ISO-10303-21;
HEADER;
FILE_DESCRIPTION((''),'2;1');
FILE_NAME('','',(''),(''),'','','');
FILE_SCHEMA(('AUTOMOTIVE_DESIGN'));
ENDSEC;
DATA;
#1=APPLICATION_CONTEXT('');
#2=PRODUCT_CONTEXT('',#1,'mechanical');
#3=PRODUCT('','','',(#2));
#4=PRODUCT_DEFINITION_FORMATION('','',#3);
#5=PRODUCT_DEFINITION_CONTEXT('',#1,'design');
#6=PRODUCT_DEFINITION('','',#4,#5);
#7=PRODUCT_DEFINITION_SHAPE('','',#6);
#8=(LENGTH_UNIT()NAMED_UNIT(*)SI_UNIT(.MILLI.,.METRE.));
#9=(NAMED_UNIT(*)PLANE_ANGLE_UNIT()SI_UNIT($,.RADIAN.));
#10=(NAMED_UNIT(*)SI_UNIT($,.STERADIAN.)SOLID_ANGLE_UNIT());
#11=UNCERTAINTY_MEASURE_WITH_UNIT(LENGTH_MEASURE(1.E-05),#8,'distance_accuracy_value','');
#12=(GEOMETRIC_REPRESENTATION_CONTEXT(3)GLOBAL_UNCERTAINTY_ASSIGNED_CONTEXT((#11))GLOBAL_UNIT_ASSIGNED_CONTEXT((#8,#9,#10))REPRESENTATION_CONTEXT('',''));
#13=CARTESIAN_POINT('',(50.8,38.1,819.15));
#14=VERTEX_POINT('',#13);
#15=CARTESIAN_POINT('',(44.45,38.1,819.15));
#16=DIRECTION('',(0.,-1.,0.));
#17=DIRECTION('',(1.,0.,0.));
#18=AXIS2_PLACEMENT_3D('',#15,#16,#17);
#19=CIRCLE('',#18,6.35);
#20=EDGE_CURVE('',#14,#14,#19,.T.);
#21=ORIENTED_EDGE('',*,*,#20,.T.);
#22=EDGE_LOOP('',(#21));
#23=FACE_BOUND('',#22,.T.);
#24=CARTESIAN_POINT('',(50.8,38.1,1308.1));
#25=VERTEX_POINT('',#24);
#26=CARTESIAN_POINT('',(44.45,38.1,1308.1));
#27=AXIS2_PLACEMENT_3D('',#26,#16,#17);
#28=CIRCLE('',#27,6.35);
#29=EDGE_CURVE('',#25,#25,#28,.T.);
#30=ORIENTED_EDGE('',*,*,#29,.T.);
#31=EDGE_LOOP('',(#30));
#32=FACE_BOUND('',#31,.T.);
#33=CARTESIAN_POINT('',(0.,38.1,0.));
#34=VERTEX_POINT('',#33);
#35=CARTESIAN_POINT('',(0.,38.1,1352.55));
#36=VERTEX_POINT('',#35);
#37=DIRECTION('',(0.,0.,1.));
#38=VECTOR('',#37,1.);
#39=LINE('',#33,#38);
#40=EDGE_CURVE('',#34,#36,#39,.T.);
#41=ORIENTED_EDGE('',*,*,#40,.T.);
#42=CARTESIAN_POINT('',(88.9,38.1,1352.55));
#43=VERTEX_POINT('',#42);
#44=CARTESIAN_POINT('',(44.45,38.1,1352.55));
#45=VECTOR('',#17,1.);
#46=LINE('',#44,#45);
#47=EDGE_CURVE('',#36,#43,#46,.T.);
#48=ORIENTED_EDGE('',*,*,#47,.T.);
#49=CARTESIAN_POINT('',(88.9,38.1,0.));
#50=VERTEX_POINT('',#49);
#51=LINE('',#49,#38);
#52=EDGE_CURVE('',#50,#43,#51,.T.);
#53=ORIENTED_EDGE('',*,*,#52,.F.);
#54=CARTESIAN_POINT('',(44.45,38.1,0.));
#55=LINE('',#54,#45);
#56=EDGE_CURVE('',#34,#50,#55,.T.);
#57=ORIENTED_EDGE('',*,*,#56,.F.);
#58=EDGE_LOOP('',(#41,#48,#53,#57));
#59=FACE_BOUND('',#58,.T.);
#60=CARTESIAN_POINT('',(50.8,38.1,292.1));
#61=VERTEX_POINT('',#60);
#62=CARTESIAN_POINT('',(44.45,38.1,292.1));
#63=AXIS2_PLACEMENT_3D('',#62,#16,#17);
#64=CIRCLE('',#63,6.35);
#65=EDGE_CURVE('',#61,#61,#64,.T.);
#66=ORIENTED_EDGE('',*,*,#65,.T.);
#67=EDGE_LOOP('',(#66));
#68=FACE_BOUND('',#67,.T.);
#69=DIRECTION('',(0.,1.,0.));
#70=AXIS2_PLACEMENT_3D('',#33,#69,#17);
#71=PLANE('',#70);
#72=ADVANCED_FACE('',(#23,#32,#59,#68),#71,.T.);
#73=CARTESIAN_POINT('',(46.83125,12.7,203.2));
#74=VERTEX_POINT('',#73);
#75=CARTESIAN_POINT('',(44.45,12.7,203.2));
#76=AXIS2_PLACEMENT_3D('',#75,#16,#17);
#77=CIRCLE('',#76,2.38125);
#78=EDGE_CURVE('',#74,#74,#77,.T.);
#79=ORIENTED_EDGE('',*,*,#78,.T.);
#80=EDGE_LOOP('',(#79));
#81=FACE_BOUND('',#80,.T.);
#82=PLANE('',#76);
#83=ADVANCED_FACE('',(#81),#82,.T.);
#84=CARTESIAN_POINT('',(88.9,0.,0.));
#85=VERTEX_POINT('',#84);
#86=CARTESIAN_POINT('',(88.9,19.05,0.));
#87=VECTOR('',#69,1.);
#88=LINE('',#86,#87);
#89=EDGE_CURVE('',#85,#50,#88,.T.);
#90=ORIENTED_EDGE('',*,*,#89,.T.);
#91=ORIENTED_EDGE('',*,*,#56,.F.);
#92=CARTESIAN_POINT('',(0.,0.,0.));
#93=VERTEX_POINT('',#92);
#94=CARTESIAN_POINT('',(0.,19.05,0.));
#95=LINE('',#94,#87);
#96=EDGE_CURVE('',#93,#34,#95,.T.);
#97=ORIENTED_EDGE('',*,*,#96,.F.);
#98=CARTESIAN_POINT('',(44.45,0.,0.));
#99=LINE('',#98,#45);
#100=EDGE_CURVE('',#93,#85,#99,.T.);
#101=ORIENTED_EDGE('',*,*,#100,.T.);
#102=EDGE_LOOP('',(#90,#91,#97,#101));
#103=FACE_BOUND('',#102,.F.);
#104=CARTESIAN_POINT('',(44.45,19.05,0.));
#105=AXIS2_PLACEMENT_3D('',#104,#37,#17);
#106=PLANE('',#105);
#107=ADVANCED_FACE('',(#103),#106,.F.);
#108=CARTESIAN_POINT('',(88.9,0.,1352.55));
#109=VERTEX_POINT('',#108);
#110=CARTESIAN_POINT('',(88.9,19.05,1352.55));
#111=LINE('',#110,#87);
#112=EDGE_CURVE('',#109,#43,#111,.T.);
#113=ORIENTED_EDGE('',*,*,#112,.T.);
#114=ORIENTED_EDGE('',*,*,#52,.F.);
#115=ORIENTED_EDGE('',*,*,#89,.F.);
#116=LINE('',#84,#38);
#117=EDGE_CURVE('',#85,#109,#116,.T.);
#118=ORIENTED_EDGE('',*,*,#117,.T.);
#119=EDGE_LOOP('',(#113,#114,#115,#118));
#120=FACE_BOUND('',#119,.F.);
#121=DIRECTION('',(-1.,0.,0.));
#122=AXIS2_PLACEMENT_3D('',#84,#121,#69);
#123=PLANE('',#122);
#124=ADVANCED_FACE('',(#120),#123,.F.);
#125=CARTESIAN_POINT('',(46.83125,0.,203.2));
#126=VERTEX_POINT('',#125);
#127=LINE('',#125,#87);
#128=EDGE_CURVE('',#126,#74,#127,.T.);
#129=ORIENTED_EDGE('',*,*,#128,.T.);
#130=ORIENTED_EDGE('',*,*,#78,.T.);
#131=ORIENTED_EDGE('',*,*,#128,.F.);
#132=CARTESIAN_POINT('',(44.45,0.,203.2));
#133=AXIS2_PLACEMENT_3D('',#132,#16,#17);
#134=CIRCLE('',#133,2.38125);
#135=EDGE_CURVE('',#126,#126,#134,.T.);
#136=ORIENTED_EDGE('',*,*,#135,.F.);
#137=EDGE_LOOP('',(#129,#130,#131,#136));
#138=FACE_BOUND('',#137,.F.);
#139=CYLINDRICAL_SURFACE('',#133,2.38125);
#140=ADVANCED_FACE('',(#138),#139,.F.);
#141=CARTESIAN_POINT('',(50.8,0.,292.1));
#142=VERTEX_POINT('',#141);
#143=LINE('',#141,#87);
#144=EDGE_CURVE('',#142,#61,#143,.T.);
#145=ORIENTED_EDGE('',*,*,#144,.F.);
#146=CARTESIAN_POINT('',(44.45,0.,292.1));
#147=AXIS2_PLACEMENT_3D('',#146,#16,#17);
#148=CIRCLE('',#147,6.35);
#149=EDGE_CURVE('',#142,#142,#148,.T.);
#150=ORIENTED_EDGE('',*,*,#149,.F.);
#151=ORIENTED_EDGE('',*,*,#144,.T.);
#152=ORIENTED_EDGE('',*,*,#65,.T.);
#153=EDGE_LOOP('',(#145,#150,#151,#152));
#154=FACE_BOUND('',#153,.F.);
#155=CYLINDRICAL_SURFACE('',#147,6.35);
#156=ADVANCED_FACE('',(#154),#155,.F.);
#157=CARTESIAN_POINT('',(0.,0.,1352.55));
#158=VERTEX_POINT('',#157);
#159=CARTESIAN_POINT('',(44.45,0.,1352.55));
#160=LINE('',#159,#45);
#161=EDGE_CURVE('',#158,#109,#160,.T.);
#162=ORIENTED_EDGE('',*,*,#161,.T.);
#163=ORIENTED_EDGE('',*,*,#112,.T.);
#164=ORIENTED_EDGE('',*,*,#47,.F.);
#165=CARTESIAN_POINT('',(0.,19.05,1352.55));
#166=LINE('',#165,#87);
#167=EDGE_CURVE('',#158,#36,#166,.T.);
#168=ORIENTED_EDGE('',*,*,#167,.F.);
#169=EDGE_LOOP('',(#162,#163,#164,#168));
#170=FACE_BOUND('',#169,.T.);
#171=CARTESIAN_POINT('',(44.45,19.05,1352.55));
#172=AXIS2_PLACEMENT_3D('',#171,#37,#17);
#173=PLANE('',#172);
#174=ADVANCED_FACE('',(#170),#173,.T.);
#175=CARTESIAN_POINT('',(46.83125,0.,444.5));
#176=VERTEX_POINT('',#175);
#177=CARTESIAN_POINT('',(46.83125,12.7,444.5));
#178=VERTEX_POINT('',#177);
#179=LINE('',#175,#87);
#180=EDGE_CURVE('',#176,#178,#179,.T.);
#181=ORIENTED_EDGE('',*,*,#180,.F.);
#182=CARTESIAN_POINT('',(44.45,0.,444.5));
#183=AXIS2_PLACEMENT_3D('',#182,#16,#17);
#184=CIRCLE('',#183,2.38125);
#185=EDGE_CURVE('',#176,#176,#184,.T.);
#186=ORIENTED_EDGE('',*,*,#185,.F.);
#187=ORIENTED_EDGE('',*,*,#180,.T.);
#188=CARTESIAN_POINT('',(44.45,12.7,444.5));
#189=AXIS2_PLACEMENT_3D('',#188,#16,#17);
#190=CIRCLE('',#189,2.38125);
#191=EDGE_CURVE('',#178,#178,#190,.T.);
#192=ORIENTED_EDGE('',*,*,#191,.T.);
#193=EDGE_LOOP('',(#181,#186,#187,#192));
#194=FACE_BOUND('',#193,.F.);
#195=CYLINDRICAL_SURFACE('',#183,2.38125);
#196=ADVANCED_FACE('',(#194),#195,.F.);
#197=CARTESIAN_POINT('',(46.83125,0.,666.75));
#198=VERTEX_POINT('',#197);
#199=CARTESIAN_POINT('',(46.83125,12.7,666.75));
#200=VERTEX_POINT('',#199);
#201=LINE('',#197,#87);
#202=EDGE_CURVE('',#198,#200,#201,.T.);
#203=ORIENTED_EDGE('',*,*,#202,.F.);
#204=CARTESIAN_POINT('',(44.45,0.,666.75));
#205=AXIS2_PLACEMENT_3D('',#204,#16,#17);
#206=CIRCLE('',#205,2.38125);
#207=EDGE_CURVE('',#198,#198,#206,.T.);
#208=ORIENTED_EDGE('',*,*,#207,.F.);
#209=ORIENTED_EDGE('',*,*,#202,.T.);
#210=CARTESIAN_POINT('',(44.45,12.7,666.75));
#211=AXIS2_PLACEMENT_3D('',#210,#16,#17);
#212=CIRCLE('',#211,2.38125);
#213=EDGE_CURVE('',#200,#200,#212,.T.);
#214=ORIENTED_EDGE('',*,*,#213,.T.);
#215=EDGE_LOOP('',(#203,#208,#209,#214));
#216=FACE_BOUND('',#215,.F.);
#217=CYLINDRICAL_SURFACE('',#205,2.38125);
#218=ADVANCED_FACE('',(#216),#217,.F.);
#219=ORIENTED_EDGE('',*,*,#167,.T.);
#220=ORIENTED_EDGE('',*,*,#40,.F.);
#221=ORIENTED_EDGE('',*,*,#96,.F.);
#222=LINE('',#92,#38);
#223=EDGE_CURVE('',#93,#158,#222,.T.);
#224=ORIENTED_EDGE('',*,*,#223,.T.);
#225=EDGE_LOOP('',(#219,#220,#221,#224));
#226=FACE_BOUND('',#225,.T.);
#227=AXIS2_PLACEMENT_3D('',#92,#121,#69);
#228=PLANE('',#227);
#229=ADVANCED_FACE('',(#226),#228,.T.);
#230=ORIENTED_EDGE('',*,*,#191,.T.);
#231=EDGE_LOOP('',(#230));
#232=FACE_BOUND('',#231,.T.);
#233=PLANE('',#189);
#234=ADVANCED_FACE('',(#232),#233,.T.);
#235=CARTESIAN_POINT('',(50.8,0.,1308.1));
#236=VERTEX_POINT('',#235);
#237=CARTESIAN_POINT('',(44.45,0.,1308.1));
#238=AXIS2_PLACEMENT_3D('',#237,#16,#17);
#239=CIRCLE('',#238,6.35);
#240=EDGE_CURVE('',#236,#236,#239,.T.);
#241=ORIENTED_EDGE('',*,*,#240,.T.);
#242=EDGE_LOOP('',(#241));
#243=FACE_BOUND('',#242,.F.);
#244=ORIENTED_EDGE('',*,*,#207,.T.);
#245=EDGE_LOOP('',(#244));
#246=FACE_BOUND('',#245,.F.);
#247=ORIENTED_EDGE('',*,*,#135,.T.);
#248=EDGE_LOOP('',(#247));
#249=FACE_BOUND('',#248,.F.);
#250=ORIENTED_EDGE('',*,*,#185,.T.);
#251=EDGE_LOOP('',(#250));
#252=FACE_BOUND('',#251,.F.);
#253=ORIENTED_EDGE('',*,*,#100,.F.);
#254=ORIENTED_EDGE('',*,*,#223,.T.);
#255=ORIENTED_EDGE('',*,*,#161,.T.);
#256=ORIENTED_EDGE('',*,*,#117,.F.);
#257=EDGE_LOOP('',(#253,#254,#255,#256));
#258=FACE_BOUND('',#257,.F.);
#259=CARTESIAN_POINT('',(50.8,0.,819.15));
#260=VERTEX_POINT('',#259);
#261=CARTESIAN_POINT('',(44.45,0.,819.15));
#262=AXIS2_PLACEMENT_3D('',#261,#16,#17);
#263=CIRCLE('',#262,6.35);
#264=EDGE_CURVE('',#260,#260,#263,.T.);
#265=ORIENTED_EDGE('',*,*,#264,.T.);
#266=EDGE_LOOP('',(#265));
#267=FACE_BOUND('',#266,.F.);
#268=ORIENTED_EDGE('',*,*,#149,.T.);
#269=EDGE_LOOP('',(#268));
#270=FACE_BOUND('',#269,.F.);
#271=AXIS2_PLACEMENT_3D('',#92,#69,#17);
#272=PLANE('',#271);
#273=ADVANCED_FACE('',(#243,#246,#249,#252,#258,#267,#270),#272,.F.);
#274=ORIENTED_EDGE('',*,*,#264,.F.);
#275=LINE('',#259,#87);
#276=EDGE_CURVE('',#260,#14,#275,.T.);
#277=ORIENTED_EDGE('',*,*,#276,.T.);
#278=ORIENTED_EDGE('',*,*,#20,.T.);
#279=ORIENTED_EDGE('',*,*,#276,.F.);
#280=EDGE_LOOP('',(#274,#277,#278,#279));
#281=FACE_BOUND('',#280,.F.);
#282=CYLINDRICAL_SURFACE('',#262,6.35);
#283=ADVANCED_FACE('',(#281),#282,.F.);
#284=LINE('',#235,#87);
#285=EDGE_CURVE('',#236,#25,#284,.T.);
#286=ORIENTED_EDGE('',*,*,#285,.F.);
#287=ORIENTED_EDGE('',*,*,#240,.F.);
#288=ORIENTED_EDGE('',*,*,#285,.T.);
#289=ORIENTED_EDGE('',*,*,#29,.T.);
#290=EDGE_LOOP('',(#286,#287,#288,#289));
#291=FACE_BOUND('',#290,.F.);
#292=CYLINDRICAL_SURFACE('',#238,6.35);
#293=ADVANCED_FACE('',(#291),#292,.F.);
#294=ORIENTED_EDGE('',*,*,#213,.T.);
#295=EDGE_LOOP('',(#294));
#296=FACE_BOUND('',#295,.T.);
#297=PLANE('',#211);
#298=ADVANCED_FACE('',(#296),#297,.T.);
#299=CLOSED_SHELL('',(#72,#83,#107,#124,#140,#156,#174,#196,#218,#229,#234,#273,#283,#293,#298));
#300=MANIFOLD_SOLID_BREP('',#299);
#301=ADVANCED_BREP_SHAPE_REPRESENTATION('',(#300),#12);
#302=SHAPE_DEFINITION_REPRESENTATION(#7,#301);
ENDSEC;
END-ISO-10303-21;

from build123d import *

# Parameters (mm, degrees)
SKETCH002_AS_DRAWN_R                 = 2.38125
EXTRUDE002_DEPTH                     = 12.7
EXTRUDE002_ONTO_SKETCH002_ROLL_ANGLE = 90
SKETCH001_AS_DRAWN_R                 = 6.35
EXTRUDE001_DEPTH                     = 50.8
EXTRUDE001_ONTO_SKETCH001_ROLL_ANGLE = 90
SKETCH_W                             = 88.9
SKETCH_H                             = 38.1
EXTRUDE_DEPTH                        = 1352.55


with BuildPart() as extrude002:
    # Sketch002 as drawn → Extrude002 (new)
    with BuildSketch(Plane.XY):
        with Locations((44.45, 203.2)):
            Circle(SKETCH002_AS_DRAWN_R)
        with Locations((44.45, 666.75)):
            Circle(SKETCH002_AS_DRAWN_R)
        with Locations((44.45, 444.5)):
            Circle(SKETCH002_AS_DRAWN_R)
    extrude(amount=-EXTRUDE002_DEPTH)


with BuildPart() as extrude002_1:
    # Extrude002 onto Sketch002 roll: moved
    add(extrude002.part.rotate(Axis((0, 0, 0), (1, 0, 0)), EXTRUDE002_ONTO_SKETCH002_ROLL_ANGLE))


with BuildPart() as extrude002_2:
    # Extrude002 onto Sketch002 placement: moved
    add(extrude002_1.part)


with BuildPart() as extrude001:
    # Sketch001 as drawn → Extrude001 (new)
    with BuildSketch(Plane.XY):
        with Locations((44.45, 292.1)):
            Circle(SKETCH001_AS_DRAWN_R)
        with Locations((44.45, 819.15)):
            Circle(SKETCH001_AS_DRAWN_R)
        with Locations((44.45, 1308.1)):
            Circle(SKETCH001_AS_DRAWN_R)
    extrude(amount=-EXTRUDE001_DEPTH)


with BuildPart() as extrude001_1:
    # Extrude001 onto Sketch001 roll: moved
    add(extrude001.part.rotate(Axis((0, 0, 0), (1, 0, 0)), EXTRUDE001_ONTO_SKETCH001_ROLL_ANGLE))


with BuildPart() as extrude001_2:
    # Extrude001 onto Sketch001 placement: moved
    add(extrude001_1.part)


with BuildPart() as cut001:
    # Sketch → Extrude (new body)
    with BuildSketch(Plane.XY):
        with Locations((44.45, 19.05)):
            Rectangle(SKETCH_W, SKETCH_H)
    extrude(amount=EXTRUDE_DEPTH)

    # Cut: cut Extrude001
    add(extrude001_2.part, mode=Mode.SUBTRACT)

    # Cut001: cut Extrude002
    add(extrude002_2.part, mode=Mode.SUBTRACT)


solid = cut001.part
